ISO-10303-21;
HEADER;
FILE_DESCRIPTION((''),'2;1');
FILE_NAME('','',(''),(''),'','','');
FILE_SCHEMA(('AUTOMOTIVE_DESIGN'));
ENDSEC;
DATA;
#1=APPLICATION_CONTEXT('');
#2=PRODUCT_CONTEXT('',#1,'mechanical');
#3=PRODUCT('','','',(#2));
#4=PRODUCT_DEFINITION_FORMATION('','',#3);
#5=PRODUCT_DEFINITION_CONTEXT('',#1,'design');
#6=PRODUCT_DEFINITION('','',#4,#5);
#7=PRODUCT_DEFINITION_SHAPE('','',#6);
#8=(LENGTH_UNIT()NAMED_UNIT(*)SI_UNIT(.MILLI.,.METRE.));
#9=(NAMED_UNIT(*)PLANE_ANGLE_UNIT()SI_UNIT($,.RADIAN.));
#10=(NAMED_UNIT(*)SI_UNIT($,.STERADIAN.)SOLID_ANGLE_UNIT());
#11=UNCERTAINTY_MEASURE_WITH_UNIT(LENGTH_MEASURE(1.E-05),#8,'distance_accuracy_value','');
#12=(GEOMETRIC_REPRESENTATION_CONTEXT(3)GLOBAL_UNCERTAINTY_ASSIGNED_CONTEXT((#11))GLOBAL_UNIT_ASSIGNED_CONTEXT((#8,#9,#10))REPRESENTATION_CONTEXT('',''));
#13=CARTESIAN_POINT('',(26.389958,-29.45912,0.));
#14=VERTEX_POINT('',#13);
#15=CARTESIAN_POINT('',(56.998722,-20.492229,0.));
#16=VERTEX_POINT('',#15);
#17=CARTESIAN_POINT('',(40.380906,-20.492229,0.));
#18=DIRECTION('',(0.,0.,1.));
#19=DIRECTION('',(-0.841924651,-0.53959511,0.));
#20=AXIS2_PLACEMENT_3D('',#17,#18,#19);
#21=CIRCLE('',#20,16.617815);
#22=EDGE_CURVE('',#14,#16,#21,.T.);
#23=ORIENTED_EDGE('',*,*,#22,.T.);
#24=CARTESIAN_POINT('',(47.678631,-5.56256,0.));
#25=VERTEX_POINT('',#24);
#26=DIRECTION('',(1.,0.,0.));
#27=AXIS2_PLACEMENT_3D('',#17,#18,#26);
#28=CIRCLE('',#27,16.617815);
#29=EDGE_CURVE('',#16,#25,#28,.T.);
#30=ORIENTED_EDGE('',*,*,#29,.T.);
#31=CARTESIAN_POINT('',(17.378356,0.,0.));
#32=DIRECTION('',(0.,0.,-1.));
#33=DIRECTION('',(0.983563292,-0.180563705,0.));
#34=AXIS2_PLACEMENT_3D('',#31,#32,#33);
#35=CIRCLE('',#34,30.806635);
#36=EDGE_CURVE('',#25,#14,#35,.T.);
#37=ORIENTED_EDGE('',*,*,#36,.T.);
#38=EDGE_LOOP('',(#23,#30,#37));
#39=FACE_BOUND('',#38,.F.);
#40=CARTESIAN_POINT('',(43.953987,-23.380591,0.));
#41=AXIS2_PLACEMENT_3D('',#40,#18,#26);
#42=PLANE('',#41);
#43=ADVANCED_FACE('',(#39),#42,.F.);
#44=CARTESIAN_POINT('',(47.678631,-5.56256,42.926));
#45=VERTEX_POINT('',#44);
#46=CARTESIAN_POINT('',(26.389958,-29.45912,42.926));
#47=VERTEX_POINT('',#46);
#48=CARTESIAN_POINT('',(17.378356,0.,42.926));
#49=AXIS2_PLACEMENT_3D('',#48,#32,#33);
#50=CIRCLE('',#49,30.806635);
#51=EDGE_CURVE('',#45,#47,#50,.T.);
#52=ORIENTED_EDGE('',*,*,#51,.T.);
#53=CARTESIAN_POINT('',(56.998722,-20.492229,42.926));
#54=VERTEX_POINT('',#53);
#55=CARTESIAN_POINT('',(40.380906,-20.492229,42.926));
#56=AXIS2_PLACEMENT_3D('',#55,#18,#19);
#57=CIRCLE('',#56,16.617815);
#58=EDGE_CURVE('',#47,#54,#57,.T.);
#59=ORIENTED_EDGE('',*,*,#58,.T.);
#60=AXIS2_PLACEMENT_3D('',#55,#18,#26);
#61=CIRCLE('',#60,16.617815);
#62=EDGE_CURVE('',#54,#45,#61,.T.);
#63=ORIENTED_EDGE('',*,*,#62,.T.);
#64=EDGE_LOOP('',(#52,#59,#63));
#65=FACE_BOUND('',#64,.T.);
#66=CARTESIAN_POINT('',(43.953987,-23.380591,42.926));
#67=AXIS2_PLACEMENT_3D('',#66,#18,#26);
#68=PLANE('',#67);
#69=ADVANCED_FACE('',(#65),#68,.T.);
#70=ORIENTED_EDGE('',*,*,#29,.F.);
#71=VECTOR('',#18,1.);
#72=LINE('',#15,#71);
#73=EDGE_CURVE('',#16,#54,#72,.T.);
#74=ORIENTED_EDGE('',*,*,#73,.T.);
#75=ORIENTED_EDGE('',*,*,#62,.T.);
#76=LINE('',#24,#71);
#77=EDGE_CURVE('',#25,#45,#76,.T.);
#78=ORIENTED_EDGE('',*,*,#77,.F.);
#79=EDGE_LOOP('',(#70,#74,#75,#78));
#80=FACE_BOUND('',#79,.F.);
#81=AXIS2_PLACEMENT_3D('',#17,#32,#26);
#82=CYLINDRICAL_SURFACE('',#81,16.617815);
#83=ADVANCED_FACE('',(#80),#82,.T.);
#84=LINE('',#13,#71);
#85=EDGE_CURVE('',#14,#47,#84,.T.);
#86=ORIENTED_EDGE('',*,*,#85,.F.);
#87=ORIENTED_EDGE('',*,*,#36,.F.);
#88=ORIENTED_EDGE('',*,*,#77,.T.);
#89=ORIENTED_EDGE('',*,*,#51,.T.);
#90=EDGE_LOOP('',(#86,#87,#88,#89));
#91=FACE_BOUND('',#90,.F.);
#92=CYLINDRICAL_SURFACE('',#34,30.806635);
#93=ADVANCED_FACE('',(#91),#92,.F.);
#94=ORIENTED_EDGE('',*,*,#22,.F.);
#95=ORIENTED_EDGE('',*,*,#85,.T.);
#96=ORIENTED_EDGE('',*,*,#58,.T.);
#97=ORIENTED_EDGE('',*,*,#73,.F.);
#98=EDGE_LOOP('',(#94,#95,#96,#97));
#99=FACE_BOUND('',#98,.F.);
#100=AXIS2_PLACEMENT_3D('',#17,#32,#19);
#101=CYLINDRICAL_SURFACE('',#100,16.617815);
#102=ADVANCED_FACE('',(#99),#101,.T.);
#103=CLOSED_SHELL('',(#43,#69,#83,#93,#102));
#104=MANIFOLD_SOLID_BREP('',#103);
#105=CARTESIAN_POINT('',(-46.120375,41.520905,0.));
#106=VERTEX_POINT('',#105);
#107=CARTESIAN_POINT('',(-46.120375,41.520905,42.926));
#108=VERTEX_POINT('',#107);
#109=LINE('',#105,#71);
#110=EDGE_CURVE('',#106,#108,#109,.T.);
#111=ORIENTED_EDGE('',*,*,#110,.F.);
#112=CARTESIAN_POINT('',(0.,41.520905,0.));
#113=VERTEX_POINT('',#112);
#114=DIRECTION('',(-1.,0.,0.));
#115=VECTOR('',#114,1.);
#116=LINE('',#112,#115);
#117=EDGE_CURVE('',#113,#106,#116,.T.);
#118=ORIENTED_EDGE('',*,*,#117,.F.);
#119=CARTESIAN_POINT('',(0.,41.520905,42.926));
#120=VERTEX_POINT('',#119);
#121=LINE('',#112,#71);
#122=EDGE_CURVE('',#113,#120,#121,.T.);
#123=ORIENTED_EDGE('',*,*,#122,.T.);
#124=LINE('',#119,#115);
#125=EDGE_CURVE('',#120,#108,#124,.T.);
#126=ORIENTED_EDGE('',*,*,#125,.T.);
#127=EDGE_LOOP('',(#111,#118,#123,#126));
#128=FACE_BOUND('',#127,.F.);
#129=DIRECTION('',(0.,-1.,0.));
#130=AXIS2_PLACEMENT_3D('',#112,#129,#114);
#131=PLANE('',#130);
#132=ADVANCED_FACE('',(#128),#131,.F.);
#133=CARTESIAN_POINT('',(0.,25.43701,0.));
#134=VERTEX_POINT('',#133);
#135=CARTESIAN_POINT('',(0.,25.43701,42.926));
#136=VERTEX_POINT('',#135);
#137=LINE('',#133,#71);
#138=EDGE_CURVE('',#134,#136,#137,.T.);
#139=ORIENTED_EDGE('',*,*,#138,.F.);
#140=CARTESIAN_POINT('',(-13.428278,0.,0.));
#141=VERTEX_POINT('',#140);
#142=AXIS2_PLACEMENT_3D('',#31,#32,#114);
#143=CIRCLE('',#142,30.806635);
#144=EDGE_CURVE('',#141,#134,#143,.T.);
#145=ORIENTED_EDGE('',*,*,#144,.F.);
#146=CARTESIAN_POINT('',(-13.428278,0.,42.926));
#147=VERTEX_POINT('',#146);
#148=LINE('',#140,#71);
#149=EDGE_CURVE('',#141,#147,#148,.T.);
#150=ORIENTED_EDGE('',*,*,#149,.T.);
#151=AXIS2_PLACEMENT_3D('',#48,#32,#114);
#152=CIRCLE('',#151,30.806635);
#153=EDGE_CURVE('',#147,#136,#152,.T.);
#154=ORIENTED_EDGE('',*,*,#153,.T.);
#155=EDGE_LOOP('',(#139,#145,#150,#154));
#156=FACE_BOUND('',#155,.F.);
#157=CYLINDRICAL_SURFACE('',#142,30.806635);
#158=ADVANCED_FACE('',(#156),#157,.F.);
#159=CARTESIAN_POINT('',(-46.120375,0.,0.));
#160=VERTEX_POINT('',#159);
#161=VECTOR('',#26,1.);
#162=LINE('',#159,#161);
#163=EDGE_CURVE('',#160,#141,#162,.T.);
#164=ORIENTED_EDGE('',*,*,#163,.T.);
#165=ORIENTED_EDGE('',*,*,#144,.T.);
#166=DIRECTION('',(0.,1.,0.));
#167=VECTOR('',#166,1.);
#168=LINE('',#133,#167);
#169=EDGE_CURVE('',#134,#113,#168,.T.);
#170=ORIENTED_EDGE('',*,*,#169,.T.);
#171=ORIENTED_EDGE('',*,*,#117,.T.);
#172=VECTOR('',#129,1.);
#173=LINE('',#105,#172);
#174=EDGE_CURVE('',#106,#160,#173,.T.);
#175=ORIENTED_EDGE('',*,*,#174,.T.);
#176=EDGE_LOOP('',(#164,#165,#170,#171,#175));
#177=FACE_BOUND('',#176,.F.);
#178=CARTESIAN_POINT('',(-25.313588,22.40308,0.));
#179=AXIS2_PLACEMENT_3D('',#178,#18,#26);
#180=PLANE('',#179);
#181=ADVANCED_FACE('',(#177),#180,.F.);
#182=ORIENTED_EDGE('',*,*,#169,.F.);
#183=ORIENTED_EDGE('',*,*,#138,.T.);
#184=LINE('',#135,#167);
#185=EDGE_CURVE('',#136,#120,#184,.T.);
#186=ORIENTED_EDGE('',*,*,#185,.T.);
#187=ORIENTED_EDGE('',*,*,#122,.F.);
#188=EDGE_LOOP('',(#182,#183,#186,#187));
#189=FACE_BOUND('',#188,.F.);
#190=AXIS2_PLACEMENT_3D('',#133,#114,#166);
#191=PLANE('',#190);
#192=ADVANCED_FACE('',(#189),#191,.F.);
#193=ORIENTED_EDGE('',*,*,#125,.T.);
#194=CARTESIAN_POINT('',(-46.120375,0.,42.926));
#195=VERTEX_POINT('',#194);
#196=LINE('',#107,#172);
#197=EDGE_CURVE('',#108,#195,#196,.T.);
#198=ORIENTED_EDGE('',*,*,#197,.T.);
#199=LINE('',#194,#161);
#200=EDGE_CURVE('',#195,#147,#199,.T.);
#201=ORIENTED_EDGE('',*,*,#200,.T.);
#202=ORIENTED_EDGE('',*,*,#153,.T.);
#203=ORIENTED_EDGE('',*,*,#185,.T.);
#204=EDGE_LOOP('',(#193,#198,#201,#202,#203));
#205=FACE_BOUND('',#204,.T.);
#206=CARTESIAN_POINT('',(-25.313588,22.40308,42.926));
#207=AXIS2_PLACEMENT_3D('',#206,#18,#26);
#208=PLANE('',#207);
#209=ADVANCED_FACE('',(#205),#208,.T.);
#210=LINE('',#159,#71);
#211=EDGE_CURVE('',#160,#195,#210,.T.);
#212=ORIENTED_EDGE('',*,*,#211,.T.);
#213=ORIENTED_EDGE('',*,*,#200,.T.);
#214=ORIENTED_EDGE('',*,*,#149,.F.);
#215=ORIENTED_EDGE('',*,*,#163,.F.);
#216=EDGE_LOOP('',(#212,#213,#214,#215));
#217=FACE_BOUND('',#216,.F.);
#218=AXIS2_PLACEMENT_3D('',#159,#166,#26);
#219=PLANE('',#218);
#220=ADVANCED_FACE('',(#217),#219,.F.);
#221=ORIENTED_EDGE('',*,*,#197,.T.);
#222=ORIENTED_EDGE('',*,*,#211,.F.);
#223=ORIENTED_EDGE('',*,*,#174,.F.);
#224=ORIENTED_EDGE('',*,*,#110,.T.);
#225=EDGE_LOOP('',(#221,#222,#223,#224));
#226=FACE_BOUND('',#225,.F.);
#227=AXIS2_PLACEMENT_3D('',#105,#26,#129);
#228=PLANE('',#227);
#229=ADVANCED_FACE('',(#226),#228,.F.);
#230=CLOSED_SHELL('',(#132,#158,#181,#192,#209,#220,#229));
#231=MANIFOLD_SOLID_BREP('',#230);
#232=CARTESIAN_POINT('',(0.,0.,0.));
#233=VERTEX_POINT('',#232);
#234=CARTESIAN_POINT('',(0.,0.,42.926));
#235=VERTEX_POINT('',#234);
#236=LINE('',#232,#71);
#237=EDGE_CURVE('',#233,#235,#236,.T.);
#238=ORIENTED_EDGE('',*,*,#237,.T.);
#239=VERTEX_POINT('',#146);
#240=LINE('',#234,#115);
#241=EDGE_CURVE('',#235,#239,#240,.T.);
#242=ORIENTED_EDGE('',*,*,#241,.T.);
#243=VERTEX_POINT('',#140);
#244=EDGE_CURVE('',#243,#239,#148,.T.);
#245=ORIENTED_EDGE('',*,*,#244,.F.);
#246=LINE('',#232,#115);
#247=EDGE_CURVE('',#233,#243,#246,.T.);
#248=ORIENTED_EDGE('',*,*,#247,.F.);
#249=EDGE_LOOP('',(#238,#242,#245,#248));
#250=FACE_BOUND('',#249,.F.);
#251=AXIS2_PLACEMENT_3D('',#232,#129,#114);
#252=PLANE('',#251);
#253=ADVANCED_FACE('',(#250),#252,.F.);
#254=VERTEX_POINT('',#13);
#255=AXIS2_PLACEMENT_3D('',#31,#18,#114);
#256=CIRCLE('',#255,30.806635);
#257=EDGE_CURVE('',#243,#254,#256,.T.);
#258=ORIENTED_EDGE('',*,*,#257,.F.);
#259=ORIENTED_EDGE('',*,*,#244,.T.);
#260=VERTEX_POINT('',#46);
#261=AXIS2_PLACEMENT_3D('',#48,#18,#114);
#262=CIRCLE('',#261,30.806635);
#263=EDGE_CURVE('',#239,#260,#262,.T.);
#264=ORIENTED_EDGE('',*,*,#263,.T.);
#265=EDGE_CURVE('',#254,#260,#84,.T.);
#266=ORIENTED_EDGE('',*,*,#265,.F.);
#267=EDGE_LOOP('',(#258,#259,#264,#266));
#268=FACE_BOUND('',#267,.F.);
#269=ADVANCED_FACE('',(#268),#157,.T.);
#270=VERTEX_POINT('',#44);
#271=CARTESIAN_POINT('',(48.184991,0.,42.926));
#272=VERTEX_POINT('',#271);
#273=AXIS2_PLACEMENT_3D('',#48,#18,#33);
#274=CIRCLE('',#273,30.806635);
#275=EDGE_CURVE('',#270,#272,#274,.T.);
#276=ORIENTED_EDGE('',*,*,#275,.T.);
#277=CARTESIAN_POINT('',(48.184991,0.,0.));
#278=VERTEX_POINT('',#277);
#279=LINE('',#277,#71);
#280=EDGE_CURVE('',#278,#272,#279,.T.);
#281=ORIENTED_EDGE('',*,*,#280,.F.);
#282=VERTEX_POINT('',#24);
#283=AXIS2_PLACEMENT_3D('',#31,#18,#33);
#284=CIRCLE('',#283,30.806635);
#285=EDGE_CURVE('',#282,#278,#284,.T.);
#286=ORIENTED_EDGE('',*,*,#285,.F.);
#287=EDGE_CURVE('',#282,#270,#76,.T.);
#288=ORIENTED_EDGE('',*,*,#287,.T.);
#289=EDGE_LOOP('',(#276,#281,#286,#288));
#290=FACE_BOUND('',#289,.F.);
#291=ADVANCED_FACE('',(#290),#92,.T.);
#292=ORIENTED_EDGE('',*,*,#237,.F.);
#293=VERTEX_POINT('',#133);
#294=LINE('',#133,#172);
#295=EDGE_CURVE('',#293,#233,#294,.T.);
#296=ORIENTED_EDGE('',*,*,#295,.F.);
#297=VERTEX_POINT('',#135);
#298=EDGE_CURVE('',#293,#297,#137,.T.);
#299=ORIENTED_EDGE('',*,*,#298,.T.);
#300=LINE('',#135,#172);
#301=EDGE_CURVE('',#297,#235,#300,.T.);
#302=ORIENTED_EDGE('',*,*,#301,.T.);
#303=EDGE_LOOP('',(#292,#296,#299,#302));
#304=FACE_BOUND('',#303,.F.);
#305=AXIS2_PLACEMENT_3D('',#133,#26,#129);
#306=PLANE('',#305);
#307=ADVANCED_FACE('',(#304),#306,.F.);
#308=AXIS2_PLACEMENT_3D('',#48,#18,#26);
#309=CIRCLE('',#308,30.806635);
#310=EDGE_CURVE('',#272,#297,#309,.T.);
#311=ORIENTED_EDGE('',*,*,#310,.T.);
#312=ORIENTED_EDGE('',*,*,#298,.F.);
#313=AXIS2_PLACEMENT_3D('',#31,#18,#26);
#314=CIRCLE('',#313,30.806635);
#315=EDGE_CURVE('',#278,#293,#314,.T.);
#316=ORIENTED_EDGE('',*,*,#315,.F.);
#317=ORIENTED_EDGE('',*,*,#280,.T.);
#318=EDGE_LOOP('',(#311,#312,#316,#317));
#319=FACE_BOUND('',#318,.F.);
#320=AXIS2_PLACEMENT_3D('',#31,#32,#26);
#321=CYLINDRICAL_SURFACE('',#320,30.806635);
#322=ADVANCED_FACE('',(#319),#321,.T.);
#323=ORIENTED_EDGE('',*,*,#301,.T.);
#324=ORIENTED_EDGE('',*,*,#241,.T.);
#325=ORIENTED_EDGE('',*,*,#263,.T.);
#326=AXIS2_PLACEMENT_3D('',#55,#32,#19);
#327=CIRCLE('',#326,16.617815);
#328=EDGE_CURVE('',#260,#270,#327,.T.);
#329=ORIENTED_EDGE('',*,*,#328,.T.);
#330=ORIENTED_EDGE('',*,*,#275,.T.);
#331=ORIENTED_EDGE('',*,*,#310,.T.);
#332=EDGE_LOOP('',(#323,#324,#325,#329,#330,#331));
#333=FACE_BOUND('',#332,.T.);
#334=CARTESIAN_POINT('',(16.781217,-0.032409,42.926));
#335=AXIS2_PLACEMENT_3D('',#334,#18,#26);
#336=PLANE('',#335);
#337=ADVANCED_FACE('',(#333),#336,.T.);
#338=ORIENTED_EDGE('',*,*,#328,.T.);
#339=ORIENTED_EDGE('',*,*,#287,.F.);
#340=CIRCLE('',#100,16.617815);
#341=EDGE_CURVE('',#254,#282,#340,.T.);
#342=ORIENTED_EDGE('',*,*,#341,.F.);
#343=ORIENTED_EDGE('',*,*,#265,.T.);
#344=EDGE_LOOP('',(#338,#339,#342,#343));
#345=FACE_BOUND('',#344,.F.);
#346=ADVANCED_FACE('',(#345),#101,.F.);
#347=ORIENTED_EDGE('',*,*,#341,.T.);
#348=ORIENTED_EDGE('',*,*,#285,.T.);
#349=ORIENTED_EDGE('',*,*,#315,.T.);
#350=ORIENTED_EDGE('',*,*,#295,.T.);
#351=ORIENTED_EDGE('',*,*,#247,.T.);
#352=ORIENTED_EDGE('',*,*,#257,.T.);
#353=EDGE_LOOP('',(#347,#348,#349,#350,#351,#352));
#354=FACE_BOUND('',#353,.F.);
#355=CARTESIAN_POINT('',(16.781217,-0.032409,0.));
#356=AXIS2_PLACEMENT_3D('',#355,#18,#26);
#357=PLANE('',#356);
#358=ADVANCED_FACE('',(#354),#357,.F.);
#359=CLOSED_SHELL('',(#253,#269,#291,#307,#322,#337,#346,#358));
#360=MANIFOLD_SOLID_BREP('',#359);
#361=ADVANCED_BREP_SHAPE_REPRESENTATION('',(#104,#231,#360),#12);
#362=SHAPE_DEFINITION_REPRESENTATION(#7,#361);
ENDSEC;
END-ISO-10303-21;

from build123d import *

# Parameters (mm, degrees)
F1_DEPTH = 42.926


with BuildPart() as f1:
    # F0 (on Top) → F1 (new body)
    with BuildSketch(Plane.XY):
        with BuildLine():
            Line((-46.1203753948, 0), (-13.4282783921, 0))
            ThreePointArc((-13.4282783921, 0), (-9.8651513224, 14.3819342766), (0, 25.437009918))
            Line((0, 25.437009918), (0, 41.5209047496))
            Line((0, 41.5209047496), (-46.1203753948, 41.5209047496))
            Line((-46.1203753948, 41.5209047496), (-46.1203753948, 0))
        make_face()
    extrude(amount=F1_DEPTH)


with BuildPart() as f1b:
    # F0 (on Top) → F1, piece 2 (new body)
    with BuildSketch(Plane.XY):
        with BuildLine():
            ThreePointArc((47.6786313345, -5.5625600968), (40.3809064348, -20.492228507), (26.3899580388, -29.4591204174))
            ThreePointArc((26.3899580388, -29.4591204174), (45.052779202, -36.4398111576), (56.9987218011, -20.492228507))
            ThreePointArc((56.9987218011, -20.492228507), (54.477431406, -11.6922415021), (47.6786313345, -5.5625600968))
        make_face()
    extrude(amount=F1_DEPTH)


with BuildPart() as f1c:
    # F0 (on Top) → F1, piece 3 (new body)
    with BuildSketch(Plane.XY):
        with BuildLine():
            Line((0, 25.437009918), (0, 0))
            Line((0, 0), (-13.4282783921, 0))
            ThreePointArc((-13.4282783921, 0), (-0.9441929, -24.7655593932), (26.3899580388, -29.4591204174))
            ThreePointArc((26.3899580388, -29.4591204174), (27.9727958219, -9.4382437699), (47.6786313345, -5.5625600968))
            ThreePointArc((47.6786313345, -5.5625600968), (48.0581399248, -2.792779751), (48.1849910076, 0))
            ThreePointArc((48.1849910076, 0), (31.7602905844, 27.2435076301), (0, 25.437009918))
        make_face()
    extrude(amount=F1_DEPTH)


solid = Compound([f1.part, f1b.part, f1c.part])
